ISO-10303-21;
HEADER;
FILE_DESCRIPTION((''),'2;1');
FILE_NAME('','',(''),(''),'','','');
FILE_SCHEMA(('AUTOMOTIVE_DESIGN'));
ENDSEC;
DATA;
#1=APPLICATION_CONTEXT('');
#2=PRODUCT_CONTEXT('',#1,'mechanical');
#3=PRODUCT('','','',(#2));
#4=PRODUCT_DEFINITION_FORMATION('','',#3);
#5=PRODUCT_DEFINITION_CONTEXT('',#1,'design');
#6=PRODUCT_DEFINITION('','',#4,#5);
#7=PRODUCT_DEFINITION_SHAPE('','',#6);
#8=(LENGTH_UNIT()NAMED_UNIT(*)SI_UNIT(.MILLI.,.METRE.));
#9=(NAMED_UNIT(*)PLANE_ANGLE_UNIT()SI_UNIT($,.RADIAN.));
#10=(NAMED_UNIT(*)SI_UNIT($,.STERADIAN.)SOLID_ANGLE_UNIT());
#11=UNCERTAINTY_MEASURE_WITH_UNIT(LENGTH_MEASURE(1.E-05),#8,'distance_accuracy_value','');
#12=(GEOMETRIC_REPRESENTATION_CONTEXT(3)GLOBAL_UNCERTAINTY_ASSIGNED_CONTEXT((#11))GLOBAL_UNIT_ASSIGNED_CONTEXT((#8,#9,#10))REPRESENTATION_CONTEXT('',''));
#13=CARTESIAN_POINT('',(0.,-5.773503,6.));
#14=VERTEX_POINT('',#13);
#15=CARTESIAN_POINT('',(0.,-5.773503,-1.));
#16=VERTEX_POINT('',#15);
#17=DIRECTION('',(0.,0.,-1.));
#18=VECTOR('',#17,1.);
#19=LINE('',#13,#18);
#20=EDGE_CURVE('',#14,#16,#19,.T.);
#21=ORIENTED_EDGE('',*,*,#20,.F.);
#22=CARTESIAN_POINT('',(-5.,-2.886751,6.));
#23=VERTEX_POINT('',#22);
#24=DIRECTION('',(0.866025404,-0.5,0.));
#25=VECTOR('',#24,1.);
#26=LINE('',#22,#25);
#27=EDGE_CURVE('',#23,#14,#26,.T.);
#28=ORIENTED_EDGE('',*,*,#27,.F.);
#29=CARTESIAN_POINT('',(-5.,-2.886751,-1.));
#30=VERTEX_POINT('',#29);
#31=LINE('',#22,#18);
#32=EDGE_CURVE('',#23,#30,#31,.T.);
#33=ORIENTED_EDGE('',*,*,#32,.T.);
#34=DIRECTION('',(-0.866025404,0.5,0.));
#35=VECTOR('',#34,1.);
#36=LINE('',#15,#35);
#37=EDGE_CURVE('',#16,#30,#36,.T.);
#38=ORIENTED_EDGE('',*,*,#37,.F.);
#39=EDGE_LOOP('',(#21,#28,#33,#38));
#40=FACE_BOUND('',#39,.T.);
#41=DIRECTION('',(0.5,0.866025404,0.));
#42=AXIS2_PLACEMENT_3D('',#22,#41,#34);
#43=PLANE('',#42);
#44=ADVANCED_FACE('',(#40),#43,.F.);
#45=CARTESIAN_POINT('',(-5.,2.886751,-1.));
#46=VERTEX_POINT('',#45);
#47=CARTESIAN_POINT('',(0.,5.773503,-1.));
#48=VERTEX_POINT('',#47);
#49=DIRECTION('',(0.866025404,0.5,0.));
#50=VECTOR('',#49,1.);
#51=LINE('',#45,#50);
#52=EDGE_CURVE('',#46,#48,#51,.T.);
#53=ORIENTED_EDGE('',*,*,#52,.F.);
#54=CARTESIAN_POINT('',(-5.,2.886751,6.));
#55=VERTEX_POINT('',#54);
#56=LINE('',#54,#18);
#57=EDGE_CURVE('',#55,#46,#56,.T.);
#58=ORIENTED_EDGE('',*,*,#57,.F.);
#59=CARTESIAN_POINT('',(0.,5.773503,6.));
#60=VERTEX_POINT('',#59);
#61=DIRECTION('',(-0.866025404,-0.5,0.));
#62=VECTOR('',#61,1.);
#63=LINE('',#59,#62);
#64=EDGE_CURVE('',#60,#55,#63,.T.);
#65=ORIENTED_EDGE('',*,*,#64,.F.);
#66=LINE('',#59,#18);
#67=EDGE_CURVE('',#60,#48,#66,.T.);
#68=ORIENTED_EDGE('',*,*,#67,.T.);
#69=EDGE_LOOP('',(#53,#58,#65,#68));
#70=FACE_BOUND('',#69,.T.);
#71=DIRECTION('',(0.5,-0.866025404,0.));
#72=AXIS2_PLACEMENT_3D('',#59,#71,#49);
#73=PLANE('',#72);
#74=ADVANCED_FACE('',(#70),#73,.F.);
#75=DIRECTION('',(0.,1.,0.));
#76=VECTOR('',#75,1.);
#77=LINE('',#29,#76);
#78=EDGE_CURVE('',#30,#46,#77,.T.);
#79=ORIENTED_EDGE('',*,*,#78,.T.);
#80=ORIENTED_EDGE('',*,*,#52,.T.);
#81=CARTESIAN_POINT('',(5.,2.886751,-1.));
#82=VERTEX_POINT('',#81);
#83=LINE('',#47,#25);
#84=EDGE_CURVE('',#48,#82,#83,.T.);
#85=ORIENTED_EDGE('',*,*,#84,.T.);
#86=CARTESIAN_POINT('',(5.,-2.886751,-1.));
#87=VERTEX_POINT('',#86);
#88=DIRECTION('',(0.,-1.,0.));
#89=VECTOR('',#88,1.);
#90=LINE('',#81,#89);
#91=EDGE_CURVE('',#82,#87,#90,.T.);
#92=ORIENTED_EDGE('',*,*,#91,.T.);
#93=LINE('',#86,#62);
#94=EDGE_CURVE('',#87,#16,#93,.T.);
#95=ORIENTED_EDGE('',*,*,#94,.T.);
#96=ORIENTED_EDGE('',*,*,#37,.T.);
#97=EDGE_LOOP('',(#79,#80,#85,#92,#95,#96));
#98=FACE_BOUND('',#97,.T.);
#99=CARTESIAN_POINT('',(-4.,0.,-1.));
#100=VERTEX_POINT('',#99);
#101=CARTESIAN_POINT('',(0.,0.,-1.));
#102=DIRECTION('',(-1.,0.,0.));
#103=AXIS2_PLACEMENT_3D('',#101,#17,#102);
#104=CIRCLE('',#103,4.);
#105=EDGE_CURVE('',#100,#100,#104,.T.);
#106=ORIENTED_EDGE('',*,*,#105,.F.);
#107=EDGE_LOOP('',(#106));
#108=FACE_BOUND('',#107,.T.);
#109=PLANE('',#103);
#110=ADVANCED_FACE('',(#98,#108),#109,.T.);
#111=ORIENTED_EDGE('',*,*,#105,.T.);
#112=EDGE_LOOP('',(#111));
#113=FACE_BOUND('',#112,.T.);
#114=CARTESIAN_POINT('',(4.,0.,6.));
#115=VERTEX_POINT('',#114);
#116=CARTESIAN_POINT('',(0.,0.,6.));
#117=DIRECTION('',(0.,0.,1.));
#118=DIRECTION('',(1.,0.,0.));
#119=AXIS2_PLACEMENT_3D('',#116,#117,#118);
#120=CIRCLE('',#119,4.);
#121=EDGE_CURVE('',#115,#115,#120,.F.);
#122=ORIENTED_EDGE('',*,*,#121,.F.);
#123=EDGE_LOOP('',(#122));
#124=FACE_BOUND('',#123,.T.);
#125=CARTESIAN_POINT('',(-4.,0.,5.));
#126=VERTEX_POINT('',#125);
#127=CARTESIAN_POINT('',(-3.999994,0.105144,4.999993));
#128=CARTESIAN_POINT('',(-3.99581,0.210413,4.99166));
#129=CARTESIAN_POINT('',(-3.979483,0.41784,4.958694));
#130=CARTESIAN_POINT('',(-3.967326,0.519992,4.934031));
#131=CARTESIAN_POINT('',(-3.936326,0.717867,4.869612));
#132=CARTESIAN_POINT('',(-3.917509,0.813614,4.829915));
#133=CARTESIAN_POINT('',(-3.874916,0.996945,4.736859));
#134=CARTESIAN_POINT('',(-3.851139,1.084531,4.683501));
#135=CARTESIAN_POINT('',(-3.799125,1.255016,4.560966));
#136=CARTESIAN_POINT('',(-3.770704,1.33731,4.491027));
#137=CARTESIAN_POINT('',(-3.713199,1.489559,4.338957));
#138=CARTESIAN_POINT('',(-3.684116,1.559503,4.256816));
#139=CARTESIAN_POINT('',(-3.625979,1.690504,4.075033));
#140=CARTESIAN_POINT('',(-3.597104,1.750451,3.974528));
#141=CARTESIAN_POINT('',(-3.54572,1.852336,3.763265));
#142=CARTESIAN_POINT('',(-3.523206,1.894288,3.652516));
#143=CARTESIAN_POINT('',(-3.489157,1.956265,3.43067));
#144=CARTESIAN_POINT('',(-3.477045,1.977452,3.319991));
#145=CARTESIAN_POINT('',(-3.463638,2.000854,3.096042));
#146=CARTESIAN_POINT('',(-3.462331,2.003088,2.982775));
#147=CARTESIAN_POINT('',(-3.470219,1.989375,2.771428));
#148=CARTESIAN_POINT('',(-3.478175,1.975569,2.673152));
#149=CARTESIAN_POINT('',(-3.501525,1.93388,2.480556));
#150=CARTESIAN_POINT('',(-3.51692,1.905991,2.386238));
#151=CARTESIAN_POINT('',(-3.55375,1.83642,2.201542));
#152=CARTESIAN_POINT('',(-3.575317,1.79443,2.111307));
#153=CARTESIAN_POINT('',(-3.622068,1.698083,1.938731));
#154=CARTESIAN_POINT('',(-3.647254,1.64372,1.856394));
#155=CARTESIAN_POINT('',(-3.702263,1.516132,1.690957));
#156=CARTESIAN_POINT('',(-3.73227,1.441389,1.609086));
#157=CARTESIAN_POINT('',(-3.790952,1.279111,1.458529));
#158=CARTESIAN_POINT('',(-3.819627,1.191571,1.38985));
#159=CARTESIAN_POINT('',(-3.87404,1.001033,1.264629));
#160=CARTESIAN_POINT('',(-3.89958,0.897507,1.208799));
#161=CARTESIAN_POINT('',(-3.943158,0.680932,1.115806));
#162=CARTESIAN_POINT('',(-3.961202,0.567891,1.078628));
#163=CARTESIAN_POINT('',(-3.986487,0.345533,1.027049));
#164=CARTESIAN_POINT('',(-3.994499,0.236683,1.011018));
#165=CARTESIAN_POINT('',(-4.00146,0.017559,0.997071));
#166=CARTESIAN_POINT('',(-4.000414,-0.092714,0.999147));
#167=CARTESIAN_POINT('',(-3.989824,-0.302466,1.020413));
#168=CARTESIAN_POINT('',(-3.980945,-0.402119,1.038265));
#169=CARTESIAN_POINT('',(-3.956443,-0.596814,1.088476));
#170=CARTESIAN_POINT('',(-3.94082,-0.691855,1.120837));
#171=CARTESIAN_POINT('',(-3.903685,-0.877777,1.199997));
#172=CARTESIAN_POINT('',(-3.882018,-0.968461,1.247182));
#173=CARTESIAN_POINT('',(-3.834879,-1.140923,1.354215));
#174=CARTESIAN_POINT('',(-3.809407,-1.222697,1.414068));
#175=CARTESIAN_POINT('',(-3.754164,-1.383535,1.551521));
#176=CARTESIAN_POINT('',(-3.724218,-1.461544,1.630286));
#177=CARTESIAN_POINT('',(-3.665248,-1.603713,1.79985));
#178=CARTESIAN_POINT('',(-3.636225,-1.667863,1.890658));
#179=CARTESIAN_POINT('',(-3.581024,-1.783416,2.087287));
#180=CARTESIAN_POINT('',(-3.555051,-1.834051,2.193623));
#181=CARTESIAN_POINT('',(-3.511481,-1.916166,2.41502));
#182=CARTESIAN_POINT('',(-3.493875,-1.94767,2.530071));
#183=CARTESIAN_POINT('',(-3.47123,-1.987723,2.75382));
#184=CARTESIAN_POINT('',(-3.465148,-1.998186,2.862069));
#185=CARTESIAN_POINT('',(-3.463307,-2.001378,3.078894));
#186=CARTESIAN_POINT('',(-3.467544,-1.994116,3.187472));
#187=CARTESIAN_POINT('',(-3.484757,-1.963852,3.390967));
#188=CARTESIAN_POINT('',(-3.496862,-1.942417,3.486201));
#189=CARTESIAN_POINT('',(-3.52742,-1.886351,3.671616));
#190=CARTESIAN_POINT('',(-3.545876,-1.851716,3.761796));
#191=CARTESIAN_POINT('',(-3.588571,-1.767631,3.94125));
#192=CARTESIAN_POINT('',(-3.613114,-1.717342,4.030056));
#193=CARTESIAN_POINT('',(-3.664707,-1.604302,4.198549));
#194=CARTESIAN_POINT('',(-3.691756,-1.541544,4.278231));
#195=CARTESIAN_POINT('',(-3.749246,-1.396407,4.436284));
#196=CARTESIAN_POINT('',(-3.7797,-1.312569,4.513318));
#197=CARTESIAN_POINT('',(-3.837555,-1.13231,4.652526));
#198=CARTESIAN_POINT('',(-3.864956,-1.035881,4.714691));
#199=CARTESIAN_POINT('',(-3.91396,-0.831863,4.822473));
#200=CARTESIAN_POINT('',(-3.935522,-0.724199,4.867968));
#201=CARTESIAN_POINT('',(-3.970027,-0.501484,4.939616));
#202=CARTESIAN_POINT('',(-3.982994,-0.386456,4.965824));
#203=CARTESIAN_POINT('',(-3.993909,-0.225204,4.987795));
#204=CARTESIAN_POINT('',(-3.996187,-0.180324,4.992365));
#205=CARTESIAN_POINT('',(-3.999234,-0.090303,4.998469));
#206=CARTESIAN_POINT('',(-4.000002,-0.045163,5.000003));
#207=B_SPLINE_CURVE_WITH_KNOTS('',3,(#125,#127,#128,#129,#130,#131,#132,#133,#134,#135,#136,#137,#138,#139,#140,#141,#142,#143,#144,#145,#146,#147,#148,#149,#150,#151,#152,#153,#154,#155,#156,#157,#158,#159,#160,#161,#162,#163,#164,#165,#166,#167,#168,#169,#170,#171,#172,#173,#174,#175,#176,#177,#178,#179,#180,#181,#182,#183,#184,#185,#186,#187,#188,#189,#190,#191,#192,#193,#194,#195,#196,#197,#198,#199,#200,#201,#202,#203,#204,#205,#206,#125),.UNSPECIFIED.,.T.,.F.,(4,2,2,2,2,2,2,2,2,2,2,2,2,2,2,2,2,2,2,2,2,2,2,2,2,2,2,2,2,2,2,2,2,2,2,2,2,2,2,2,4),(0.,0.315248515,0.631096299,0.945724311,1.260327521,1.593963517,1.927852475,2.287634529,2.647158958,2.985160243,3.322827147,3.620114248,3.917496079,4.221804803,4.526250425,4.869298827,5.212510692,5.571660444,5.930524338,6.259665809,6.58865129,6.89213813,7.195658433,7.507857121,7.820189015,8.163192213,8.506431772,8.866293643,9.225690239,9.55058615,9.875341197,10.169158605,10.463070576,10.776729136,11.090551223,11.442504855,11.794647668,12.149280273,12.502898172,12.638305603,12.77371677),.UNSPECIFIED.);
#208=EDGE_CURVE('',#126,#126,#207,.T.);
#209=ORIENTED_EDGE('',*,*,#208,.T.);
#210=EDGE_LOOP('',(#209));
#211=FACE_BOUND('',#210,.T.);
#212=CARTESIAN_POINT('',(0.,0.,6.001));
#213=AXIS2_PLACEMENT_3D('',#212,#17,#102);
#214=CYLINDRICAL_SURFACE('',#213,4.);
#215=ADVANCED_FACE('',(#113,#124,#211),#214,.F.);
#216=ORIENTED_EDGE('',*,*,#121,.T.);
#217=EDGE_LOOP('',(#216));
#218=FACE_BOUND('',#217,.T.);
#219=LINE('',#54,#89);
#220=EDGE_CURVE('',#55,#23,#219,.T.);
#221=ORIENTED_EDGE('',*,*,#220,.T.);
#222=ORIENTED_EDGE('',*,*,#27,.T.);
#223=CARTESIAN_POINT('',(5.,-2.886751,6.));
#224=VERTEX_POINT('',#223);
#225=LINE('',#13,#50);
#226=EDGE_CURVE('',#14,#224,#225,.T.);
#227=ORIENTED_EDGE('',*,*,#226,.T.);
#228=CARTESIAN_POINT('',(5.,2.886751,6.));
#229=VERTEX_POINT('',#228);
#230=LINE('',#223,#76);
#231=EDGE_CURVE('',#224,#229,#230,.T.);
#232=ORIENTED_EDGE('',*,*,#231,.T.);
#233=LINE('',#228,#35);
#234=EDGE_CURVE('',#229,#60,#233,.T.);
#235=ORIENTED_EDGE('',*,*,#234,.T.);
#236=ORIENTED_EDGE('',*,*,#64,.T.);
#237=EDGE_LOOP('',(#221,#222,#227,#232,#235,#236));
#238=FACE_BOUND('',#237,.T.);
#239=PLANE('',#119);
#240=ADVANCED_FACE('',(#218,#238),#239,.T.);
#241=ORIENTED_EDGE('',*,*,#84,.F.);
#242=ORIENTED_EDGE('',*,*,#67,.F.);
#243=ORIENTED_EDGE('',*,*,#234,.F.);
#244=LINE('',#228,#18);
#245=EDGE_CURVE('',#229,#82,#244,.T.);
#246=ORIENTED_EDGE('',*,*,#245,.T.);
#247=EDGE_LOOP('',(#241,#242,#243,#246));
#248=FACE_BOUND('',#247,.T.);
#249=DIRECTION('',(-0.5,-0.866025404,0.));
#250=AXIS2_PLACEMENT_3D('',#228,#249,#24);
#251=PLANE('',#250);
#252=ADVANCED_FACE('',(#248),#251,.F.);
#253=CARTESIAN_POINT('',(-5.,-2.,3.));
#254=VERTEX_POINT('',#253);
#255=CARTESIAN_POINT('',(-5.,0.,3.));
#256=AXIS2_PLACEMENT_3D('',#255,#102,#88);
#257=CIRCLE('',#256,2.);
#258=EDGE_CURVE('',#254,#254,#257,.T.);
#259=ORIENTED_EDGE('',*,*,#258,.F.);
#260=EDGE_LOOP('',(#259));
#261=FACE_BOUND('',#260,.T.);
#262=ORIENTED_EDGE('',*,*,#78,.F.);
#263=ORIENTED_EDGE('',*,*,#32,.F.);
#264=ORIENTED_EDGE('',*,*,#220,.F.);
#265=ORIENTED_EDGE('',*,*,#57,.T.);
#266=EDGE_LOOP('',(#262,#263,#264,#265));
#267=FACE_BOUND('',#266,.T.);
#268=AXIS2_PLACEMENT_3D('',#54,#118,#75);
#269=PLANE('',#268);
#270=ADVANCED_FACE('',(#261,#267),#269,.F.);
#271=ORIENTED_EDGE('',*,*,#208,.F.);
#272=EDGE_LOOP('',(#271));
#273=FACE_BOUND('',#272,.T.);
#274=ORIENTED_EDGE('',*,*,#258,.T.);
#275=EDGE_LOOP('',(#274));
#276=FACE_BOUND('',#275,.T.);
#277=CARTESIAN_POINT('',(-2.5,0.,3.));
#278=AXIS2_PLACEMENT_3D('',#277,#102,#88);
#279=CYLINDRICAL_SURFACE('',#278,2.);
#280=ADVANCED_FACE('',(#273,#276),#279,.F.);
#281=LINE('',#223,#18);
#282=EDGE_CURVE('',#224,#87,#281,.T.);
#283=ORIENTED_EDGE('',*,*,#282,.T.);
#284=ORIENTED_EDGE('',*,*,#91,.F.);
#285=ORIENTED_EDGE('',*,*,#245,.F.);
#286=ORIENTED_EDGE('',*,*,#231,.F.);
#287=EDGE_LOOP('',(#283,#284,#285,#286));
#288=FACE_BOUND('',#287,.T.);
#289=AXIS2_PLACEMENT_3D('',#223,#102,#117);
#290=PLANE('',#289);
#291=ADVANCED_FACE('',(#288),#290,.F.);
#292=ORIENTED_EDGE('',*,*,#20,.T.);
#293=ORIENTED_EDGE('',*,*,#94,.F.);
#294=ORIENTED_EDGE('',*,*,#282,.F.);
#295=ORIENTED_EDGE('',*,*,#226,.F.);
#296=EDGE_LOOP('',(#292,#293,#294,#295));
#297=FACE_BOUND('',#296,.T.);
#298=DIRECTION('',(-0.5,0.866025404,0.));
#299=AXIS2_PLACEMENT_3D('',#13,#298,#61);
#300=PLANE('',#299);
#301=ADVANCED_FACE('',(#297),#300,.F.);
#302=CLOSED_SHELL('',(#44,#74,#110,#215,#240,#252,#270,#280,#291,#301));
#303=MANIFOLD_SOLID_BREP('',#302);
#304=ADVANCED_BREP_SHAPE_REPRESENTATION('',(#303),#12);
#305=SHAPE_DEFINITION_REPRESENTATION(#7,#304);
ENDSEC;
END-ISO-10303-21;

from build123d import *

# Parameters (mm, degrees)
BOSS_EXTRUDE1_DEPTH = 6
SKETCH3_R           = 2
CUT_EXTRUDE1_DEPTH  = 2.5
CUT_EXTRUDE5_REACH  = 11.713
SKETCH5_R           = 2
SKETCH6_R           = 2
BOSS_EXTRUDE2_DEPTH = 1
CUT_EXTRUDE6_REACH  = 12.36
SKETCH7_R           = 4


with BuildPart() as part:
    # Sketch2 → Boss-Extrude1 (new body)
    with BuildSketch(Plane.XY):
        Polygon((0, -5.773502692), (5, -2.886751346), (5, 2.886751346), (0, 5.773502692), (-5, 2.886751346), (-5, -2.886751346), align=None)
    extrude(amount=BOSS_EXTRUDE1_DEPTH)

    # Sketch3 → Cut-Extrude1 (cut)
    with BuildSketch(Plane.ZY.offset(5)):
        with Locations(Location((3, 0, 0), (0, 0, 270))):
            Circle(SKETCH3_R)
    extrude(amount=-CUT_EXTRUDE1_DEPTH, mode=Mode.SUBTRACT)

    # Sketch5 → Cut-Extrude5 (cut, up to next)
    with BuildSketch(Plane.XY.offset(6), mode=Mode.PRIVATE) as cut_extrude5_sk1:
        Circle(SKETCH5_R)
    cut_extrude5_tool1 = extrude(cut_extrude5_sk1.sketch, amount=-CUT_EXTRUDE5_REACH, mode=Mode.PRIVATE) & part.part
    add(cut_extrude5_tool1.solids().sort_by_distance((0, 0, 6))[0], mode=Mode.SUBTRACT)

    # Sketch6 → Boss-Extrude2 (add)
    with BuildSketch(Plane(origin=(0, 0, 0), x_dir=(-1, 0, 0), z_dir=(0, 0, -1))):
        Polygon((0, 5.773502692), (-5, 2.886751346), (-5, -2.886751346), (0, -5.773502692), (5, -2.886751346), (5, 2.886751346), align=None)
        with Locations(Location((0, 0, 0), (0, 0, 180))):
            Circle(SKETCH6_R, mode=Mode.SUBTRACT)
    extrude(amount=BOSS_EXTRUDE2_DEPTH)

    # Sketch7 → Cut-Extrude6 (cut, up to next)
    with BuildSketch(Plane(origin=(0, 0, -1), x_dir=(-1, 0, 0), z_dir=(0, 0, -1)), mode=Mode.PRIVATE) as cut_extrude6_sk1:
        Circle(SKETCH7_R)
    cut_extrude6_tool1 = extrude(cut_extrude6_sk1.sketch, amount=-CUT_EXTRUDE6_REACH, mode=Mode.PRIVATE) & part.part
    add(cut_extrude6_tool1.solids().sort_by_distance((0, 0, -1))[0], mode=Mode.SUBTRACT)


solid = part.part
